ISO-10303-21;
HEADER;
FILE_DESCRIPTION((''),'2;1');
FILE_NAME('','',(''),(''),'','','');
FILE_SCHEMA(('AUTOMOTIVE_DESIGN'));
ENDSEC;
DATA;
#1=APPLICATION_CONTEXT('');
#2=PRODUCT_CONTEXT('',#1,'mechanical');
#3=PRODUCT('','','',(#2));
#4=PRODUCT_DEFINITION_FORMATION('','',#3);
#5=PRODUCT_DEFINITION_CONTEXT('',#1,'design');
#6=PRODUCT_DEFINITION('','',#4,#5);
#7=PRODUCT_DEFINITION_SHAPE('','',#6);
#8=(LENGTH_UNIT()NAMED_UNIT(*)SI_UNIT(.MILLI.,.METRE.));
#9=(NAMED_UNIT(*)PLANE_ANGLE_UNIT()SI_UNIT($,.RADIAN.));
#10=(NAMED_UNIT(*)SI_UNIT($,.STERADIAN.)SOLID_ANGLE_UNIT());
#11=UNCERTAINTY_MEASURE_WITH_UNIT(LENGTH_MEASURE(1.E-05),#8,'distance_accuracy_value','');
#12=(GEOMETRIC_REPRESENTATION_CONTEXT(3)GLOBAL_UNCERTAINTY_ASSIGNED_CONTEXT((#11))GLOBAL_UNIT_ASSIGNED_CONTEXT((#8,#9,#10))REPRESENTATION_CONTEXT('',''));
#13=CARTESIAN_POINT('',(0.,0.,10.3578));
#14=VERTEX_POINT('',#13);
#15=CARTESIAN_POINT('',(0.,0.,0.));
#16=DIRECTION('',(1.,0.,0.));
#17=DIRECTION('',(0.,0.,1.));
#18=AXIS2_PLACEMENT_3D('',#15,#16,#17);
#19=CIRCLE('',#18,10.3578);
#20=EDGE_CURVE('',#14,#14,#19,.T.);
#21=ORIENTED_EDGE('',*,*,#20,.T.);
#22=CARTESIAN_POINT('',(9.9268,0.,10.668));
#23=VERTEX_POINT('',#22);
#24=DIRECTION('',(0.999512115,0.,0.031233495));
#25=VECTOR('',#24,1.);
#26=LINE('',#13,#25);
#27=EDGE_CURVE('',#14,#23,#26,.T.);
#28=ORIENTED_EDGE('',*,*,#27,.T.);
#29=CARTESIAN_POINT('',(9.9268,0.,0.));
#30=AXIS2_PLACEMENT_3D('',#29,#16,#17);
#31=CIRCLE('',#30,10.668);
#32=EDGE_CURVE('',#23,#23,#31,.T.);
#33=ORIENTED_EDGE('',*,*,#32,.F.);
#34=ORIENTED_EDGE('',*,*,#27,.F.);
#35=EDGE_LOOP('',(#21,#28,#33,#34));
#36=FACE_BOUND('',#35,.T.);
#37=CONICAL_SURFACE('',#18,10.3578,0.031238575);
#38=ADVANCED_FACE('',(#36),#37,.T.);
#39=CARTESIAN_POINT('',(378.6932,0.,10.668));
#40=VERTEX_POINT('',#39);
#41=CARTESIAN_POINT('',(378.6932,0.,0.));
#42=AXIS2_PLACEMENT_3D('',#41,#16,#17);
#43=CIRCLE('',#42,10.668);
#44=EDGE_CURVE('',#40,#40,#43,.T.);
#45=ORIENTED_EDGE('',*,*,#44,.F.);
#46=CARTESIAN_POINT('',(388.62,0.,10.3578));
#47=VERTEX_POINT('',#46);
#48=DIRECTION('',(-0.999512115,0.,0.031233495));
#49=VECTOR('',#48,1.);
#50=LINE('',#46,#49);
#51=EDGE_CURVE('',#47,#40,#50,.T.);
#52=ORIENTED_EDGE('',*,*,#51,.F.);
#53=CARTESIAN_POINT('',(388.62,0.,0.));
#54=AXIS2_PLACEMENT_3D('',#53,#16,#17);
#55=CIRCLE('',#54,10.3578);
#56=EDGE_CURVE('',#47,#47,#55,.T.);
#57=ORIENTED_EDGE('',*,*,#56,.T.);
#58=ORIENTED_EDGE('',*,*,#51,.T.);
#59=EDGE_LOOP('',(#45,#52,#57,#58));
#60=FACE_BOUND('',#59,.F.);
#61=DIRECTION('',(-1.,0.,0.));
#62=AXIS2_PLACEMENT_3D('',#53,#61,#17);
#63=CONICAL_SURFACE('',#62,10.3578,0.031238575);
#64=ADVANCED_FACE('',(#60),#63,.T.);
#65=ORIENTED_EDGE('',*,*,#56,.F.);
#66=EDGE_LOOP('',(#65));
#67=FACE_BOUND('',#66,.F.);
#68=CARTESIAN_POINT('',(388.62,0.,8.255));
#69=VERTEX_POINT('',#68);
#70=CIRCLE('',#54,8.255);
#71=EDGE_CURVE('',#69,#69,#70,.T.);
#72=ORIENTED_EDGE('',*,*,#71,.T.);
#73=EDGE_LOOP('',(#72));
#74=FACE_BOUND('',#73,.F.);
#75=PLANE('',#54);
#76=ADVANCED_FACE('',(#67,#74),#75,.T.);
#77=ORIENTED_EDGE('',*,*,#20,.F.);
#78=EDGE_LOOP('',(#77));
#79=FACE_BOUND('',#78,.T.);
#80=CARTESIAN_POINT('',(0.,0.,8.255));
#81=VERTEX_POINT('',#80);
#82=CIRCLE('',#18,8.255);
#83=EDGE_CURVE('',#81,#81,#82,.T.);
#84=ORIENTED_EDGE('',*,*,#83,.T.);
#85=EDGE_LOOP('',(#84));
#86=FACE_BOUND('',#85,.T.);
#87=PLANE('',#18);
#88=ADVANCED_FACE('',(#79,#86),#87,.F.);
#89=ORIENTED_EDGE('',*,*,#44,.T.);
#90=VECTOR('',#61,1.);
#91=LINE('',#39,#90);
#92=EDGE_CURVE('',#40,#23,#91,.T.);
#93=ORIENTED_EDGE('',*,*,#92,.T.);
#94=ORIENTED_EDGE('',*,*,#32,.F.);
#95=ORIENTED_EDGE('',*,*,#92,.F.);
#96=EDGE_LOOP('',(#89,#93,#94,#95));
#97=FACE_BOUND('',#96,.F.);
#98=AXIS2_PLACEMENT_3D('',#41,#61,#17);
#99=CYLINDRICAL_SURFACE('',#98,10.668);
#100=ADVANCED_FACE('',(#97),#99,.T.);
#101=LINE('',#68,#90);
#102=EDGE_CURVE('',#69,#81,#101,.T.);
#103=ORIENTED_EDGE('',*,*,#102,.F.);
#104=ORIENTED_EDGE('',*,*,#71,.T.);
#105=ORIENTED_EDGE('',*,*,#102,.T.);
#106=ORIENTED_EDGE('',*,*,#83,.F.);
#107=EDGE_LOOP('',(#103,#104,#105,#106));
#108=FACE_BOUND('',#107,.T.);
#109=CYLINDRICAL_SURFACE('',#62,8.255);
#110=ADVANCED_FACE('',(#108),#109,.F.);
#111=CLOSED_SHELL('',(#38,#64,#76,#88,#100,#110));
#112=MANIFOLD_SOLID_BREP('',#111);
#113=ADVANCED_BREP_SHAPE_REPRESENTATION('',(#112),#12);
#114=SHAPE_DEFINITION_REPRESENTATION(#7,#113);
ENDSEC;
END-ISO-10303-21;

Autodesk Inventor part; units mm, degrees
ref_plane "YZ Plane" through (0, 0, 0) normal (1, 0, 0) x (0, 1, 0)
ref_plane "XZ Plane" through (0, 0, 0) normal (0, 1, 0) x (-1, 0, 0)
ref_plane "XY Plane" through (0, 0, 0) normal (0, 0, 1) x (1, 0, 0)
sketch "Sketch1" plane through (0, 0, 0) normal (0, 1, 0) x (-1, 0, 0)
  line L0 (0, 0) -> (-388.62, 0)
  line L1 (-388.62, 0) -> (-388.62, 8.255) construction
  line L2 (-388.62, 8.255) -> (-388.62, 10.3578)
  line L3 (-388.62, 10.3578) -> (-378.6932, 10.668)
  line L4 (-378.6932, 10.668) -> (-9.9268, 10.668)
  line L5 (-194.31, 0) -> (-194.31, 10.668) construction
  line L6 (-388.62, 8.255) -> (0, 8.255)
  line L7 (0, 0) -> (0, 8.255) construction
  line L8 (0, 8.255) -> (0, 10.3578)
  line L9 (0, 10.3578) -> (-9.9268, 10.668)
  line L10 (-375.064, 10.7814) -> (-375.064, 0) construction
  line L11 (-13.556, 10.7814) -> (-13.556, 0) construction
  line L12 (-378.6932, 10.668) -> (-375.064, 10.7814) construction
  line L13 (-378.6932, 10.668) -> (-378.6932, 0) construction
  line L14 (-9.9268, 10.668) -> (-13.556, 10.7814) construction
  line L15 (-9.9268, 10.668) -> (-9.9268, 0) construction
  dimension "d0" = 21.336
  dimension "d1" = 1.79
  dimension "d2" = 16.51
  dimension "d3" = 388.62
  dimension "d4" = 13.556
  dimension "d5" = 21.5628
revolve "Revolution1" add sketch "Sketch1" angle 360 about axis through (0, 0, 0) along (1, 0, 0)
thread "Thread1" size "1/2" designation "1/2 - 14 NPT" standard "NPT" full length
thread "Thread2" size "1/2" designation "1/2 - 14 NPT" standard "NPT" full length
equation "\"d0\" = OD"
equation "\"d2\" = ID"
equation "\"d3\" = L"
equation "\"d4\" = L2"
equation "\"d5\" = D2"
equation "\"OD\" = 21.336"
equation "\"t\" = 2.413"
equation "\"L\" = PL"
equation "\"L4\" = 19.8501"
equation "\"ID\" = 16.51"
equation "\"PL\" = 388.62"
equation "\"D2\" = 21.56282"
equation "\"L2\" = 13.55598"
equation "\"Size_Designation\" = 1.2345"
equation "\"PLmin\" = 2 * L2"
properties material "Steel, Wrought"
